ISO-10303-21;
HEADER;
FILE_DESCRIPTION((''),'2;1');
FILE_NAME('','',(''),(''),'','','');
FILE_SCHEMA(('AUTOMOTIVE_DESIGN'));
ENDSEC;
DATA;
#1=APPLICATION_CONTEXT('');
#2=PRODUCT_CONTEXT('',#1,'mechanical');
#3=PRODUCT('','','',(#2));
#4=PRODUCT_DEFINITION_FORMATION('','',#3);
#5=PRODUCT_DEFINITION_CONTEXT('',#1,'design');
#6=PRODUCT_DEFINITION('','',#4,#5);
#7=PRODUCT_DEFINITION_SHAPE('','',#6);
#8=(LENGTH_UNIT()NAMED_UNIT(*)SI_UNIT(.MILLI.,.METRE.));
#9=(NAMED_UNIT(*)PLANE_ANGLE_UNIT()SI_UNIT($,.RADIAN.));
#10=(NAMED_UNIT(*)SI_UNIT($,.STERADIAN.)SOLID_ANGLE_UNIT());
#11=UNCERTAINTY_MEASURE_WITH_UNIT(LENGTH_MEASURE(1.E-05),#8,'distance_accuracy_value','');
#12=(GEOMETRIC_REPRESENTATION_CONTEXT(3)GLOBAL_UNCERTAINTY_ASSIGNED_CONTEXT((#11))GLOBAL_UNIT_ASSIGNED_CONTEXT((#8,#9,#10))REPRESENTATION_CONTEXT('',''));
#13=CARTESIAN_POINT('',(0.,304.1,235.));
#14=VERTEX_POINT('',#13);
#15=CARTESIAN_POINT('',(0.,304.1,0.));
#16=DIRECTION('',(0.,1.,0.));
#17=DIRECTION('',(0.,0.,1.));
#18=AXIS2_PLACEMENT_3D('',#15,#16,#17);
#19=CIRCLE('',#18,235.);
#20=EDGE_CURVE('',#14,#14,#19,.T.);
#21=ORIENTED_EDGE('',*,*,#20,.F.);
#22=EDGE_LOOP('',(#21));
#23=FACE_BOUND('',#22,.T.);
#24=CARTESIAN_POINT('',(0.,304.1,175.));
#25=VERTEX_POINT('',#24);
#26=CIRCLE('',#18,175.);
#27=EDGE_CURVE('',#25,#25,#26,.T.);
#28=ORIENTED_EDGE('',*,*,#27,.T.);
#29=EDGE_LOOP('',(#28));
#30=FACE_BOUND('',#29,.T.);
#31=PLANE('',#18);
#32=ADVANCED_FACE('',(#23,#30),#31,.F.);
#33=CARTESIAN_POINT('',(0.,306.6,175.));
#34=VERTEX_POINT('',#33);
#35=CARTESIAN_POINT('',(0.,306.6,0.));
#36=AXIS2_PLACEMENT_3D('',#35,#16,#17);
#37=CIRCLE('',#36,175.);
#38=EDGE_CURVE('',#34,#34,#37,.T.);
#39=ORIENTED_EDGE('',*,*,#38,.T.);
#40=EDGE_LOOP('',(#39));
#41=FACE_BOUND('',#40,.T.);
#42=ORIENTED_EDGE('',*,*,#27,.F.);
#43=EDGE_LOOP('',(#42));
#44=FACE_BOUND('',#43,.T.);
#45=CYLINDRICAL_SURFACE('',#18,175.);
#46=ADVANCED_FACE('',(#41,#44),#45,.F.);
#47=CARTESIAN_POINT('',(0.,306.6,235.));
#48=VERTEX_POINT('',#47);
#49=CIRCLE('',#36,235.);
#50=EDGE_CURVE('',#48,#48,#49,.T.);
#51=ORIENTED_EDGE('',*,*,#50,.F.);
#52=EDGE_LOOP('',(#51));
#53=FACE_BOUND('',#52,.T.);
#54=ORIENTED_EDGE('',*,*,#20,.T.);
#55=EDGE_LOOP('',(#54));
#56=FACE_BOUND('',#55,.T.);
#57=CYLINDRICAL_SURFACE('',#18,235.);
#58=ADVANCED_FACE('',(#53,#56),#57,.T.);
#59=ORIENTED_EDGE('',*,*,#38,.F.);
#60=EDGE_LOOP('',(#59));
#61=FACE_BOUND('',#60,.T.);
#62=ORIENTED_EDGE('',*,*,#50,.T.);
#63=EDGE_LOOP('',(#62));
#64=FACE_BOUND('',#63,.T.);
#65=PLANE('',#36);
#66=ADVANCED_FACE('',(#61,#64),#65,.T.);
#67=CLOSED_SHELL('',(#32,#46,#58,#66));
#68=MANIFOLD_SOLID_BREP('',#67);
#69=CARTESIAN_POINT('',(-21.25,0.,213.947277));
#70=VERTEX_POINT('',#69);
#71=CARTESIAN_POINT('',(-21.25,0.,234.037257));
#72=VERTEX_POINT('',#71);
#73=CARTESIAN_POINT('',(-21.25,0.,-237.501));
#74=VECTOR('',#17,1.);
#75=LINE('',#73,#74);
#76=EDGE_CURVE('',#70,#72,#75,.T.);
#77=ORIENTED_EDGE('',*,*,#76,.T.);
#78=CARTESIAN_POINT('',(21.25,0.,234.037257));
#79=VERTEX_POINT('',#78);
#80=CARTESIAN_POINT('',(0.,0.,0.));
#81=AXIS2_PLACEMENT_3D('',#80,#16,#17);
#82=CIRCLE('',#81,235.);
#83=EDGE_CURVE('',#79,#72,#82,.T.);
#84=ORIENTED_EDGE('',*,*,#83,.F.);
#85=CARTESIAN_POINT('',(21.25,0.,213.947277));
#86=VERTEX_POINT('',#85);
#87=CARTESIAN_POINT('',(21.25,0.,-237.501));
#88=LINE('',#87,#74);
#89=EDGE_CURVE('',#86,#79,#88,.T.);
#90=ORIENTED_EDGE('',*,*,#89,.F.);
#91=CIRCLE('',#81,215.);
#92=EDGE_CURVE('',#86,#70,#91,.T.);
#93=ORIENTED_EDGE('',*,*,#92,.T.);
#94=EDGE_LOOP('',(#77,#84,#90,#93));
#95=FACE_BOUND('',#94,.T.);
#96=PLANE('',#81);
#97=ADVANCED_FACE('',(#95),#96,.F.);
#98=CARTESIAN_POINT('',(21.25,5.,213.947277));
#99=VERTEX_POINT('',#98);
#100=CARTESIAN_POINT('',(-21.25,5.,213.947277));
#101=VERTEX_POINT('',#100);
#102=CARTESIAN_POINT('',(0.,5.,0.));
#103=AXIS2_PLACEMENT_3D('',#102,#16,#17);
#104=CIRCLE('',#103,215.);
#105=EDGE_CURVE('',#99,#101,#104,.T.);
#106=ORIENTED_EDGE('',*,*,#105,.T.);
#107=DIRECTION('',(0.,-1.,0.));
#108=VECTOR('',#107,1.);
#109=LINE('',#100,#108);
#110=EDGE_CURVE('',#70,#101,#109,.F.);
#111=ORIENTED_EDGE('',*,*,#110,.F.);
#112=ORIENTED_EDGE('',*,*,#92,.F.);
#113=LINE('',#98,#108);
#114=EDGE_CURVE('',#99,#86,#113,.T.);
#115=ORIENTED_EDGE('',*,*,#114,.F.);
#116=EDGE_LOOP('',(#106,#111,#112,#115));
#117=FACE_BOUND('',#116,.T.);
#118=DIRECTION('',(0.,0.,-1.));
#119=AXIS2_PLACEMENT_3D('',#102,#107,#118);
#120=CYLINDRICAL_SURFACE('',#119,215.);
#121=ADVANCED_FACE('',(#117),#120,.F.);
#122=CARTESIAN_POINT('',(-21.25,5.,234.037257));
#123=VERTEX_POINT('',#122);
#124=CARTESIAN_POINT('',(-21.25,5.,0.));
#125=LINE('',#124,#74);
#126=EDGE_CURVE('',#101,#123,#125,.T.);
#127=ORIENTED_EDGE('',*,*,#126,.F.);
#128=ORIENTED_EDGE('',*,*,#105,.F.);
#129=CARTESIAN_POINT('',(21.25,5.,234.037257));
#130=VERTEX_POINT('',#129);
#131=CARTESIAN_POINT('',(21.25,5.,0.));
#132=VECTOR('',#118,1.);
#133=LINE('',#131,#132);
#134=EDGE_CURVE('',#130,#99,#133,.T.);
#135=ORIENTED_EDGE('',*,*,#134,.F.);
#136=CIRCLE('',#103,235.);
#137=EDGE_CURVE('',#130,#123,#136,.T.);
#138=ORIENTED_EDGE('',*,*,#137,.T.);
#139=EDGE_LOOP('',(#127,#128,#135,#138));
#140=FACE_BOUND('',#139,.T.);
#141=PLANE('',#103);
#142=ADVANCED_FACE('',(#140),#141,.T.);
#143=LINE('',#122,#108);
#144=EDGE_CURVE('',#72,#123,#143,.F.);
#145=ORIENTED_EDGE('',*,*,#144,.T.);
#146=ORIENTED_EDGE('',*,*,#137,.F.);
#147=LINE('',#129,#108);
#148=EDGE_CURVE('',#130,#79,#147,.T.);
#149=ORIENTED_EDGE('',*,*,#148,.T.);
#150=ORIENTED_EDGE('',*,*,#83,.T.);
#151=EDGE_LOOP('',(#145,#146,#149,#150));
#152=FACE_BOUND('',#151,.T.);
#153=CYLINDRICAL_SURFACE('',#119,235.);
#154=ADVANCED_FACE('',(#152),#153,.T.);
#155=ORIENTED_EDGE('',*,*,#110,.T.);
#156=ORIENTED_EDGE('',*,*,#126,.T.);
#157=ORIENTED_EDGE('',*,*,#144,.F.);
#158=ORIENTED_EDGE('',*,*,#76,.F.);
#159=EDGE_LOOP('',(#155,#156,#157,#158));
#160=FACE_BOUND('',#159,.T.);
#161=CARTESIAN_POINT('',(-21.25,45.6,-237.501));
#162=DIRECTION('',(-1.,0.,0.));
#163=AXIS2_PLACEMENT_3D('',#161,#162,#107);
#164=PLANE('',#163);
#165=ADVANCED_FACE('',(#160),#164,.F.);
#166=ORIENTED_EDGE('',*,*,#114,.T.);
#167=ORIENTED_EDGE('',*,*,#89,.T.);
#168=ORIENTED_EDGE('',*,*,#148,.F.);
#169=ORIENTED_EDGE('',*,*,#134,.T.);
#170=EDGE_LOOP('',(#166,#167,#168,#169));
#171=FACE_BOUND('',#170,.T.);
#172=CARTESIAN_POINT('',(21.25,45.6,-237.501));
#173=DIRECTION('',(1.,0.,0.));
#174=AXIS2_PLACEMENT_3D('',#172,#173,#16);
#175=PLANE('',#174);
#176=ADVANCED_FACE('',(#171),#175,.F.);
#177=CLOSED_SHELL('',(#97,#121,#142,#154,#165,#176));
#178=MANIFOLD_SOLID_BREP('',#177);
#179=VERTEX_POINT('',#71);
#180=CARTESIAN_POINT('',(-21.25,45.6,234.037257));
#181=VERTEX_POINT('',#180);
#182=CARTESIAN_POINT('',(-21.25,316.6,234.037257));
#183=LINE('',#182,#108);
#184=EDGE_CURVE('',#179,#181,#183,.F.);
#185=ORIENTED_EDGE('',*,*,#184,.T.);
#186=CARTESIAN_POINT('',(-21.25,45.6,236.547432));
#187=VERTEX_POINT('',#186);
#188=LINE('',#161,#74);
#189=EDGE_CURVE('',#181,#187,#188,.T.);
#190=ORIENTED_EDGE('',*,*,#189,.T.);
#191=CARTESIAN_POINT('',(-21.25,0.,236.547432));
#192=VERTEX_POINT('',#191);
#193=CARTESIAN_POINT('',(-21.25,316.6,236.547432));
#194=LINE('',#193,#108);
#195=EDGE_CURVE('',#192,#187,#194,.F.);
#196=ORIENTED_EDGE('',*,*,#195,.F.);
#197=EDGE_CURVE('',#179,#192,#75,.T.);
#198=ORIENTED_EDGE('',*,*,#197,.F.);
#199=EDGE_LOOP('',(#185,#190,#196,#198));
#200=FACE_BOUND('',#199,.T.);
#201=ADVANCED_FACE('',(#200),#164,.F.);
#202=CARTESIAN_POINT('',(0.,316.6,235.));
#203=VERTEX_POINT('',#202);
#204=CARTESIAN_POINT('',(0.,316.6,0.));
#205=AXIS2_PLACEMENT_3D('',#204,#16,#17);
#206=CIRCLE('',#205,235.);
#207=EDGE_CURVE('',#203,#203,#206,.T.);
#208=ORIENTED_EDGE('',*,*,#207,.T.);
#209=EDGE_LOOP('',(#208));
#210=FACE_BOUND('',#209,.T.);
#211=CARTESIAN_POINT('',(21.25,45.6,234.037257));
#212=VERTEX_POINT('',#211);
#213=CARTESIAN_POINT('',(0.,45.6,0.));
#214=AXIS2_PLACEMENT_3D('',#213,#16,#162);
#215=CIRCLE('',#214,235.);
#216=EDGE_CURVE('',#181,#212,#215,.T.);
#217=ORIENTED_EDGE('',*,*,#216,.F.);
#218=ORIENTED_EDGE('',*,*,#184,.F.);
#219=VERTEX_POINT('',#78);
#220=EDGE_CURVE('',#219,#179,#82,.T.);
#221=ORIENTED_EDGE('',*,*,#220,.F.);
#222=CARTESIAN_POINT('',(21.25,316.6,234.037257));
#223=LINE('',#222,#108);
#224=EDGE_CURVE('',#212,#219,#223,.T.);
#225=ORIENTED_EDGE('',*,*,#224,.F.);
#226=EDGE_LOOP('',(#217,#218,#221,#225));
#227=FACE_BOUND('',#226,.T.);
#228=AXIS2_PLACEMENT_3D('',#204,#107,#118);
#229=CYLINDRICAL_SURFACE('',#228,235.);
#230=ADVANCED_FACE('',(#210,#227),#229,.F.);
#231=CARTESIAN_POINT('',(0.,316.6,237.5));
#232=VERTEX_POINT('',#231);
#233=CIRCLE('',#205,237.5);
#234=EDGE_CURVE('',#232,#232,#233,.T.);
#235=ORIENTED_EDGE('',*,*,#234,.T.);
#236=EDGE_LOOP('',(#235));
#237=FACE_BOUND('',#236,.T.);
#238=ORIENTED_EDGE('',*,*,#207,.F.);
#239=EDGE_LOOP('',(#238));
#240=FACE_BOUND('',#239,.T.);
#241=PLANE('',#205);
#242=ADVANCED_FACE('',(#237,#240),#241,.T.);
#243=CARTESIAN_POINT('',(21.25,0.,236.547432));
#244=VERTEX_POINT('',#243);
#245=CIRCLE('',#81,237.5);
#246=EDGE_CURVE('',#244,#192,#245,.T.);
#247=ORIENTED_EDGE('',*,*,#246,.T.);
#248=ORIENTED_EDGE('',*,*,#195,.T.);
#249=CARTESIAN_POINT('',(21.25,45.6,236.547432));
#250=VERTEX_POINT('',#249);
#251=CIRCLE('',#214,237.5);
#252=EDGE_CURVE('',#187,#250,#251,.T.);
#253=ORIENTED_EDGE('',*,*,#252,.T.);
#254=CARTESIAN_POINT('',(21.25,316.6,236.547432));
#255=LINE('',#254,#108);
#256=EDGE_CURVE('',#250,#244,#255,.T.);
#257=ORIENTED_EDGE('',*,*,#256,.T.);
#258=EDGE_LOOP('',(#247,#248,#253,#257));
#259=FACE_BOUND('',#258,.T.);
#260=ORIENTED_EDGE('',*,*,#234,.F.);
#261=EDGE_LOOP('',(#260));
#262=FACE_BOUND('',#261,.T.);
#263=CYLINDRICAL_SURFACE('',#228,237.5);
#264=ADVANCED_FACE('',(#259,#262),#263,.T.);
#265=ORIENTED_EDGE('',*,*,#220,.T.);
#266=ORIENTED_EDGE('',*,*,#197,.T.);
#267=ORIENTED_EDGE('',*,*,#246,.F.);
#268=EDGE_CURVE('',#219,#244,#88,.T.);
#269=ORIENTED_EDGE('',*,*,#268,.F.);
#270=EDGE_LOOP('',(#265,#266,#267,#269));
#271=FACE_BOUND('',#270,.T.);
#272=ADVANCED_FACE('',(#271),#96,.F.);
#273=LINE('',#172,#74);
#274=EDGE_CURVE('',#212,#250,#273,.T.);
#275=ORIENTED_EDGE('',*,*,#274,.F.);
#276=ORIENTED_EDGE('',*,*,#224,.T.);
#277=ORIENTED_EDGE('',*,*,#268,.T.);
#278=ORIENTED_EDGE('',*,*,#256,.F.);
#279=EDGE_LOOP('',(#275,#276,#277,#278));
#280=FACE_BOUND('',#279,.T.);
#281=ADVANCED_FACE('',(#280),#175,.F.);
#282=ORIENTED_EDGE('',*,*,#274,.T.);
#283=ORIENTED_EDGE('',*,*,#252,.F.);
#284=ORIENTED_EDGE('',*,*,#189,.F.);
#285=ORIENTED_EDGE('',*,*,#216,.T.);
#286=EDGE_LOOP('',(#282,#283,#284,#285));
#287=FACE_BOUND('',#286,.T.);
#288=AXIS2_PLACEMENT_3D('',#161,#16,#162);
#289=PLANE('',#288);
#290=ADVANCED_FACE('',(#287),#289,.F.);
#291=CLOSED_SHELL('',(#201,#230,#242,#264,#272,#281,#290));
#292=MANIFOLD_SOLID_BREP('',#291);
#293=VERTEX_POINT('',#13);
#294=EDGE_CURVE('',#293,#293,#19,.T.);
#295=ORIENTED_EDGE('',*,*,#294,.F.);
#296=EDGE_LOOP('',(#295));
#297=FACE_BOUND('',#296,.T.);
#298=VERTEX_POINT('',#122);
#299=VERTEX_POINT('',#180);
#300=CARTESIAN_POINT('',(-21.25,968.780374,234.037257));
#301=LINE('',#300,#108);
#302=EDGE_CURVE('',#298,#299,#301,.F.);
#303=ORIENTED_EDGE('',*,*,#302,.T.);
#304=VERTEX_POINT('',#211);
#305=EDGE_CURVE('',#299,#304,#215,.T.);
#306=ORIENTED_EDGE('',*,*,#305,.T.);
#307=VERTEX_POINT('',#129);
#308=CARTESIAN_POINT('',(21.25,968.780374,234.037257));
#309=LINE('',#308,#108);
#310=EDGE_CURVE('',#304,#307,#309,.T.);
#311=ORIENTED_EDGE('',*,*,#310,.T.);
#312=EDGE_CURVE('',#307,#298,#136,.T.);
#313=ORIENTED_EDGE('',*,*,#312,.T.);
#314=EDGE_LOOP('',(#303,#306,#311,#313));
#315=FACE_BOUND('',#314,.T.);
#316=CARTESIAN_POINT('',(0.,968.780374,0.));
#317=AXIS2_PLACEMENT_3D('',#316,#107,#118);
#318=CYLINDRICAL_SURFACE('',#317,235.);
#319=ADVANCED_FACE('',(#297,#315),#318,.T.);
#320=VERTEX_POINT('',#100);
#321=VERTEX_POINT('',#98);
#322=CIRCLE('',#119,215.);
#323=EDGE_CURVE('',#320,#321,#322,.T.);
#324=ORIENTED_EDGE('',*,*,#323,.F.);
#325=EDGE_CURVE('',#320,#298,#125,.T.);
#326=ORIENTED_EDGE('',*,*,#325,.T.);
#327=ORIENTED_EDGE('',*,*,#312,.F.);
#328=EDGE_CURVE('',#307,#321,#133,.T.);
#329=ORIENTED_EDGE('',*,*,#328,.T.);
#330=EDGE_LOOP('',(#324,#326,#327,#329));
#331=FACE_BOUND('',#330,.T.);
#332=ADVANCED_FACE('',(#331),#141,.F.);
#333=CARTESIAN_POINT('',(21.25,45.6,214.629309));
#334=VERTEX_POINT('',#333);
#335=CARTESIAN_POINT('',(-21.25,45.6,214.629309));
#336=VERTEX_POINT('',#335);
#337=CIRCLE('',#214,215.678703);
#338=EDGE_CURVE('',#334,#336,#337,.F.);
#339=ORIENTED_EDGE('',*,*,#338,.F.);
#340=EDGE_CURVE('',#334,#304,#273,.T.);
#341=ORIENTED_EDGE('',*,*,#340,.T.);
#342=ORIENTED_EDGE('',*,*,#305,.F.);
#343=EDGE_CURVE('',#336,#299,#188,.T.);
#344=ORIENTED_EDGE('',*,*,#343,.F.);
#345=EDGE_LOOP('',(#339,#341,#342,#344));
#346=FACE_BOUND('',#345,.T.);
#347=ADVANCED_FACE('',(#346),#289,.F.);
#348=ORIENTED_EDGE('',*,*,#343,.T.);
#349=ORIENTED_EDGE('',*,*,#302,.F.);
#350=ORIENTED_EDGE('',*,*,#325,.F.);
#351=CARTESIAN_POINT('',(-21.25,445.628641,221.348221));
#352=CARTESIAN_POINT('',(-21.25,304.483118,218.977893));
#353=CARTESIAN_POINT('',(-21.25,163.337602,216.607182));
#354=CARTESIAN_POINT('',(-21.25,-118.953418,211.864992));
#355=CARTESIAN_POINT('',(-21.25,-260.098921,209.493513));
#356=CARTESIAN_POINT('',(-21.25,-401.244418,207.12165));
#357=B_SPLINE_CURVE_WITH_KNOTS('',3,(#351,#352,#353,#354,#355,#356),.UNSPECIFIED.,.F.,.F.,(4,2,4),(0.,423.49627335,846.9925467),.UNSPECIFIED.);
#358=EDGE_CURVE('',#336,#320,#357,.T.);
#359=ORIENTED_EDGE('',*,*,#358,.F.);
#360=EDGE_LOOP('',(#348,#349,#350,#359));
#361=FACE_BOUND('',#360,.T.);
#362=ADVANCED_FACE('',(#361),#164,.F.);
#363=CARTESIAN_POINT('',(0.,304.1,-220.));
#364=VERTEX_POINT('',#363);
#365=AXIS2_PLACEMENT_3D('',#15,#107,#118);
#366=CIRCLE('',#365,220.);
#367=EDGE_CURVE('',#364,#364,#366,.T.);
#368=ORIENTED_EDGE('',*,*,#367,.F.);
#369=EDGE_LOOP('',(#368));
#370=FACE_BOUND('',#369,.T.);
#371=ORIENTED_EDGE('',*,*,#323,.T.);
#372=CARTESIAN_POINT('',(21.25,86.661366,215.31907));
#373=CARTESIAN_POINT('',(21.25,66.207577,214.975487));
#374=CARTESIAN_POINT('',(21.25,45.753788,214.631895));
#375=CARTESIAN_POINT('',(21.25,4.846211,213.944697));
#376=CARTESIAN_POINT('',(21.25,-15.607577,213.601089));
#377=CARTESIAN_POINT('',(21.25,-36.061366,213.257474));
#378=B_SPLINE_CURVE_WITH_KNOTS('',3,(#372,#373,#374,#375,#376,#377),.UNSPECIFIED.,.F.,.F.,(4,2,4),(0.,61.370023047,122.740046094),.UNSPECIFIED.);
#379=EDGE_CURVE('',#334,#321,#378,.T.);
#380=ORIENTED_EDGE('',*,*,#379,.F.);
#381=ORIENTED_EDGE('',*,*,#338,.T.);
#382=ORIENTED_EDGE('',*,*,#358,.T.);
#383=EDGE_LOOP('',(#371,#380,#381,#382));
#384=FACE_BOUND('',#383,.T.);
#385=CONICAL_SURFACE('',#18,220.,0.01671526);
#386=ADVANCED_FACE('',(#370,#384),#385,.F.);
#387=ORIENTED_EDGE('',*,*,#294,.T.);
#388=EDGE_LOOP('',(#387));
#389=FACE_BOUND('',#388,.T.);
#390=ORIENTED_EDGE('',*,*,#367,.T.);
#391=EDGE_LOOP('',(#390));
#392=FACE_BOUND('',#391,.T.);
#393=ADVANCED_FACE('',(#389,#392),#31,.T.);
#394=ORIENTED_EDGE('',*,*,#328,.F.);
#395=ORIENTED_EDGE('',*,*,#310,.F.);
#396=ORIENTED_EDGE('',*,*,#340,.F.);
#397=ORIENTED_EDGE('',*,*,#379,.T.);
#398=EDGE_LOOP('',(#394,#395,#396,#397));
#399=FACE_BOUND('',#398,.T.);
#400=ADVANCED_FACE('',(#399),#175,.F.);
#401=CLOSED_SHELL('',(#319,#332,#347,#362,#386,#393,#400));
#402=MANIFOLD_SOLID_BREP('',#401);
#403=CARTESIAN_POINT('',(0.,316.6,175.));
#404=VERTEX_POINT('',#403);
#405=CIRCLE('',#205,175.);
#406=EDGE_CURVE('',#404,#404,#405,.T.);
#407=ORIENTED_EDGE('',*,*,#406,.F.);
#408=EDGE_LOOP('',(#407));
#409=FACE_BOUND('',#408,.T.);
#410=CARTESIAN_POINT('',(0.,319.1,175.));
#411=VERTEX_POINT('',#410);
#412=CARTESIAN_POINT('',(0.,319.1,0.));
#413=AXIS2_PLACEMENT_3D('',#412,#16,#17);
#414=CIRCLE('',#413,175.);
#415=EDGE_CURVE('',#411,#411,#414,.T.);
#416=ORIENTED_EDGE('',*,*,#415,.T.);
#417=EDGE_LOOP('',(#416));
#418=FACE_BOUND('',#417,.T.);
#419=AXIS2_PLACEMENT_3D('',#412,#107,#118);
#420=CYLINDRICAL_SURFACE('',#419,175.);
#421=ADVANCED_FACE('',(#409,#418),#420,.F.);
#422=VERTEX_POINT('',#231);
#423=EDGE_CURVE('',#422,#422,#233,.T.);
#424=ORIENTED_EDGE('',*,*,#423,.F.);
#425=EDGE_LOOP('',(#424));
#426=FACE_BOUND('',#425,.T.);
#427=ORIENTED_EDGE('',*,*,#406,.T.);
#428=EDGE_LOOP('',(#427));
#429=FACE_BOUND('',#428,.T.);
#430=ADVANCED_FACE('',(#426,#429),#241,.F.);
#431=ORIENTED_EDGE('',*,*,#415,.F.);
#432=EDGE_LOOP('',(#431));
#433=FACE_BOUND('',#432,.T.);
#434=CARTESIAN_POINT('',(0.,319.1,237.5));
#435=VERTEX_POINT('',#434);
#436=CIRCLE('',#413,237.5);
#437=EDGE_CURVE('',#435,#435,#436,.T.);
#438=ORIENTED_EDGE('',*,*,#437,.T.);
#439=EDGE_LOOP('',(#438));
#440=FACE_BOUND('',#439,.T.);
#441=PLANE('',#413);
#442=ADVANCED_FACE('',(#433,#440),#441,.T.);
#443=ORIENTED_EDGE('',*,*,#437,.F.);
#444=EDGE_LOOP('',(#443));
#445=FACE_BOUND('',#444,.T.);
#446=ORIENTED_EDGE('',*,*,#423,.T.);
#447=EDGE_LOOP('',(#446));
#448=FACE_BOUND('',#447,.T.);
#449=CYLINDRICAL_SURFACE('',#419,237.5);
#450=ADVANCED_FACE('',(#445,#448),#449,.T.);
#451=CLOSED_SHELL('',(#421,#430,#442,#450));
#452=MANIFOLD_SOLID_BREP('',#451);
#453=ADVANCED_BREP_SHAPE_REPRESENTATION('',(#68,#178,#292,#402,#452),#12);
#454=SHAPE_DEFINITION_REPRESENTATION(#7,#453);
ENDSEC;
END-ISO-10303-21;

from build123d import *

# Parameters (mm, degrees)
SKETCH1_R           = 237.5
SKETCH1_R_2         = 235
BOSS_EXTRUDE1_DEPTH = 316.6
SKETCH3_R           = 235
SKETCH3_R_2         = 215
BOSS_EXTRUDE2_DEPTH = 5
SKETCH7_R           = 237.5
SKETCH7_R_2         = 175
BOSS_EXTRUDE3_DEPTH = 2.5
SKETCH8_R           = 235
SKETCH8_R_2         = 175
BOSS_EXTRUDE4_DEPTH = 2.5
SKETCH9_R           = 235
BOSS_EXTRUDE5_DEPTH = 299.1
CUT_EXTRUDE5_REACH  = 621.561
SKETCH5_W           = 42.50000009
SKETCH5_H           = 45.600000066


with BuildPart() as part:
    # Sketch1 → Boss-Extrude1 (new body)
    with BuildSketch(Plane(origin=(0, 0, 0), x_dir=(1, 0, 0), z_dir=(0, 1, 0))):
        with Locations(Location((0, 0, 0), (0, 0, 270))):
            Circle(SKETCH1_R)
        with Locations(Location((0, 0, 0), (0, 0, 270))):
            Circle(SKETCH1_R_2, mode=Mode.SUBTRACT)
    extrude(amount=BOSS_EXTRUDE1_DEPTH)


with BuildPart() as body_2:
    # Sketch3 → Boss-Extrude2 (new body)
    with BuildSketch(Plane(origin=(0, 0, 0), x_dir=(1, 0, 0), z_dir=(0, 1, 0))):
        with Locations(Location((0, 0, 0), (0, 0, 270))):
            Circle(SKETCH3_R)
        with Locations(Location((0, 0, 0), (0, 0, 270))):
            Circle(SKETCH3_R_2, mode=Mode.SUBTRACT)
    extrude(amount=BOSS_EXTRUDE2_DEPTH)


with BuildPart() as body_3:
    # Sketch7 → Boss-Extrude3 (new body)
    with BuildSketch(Plane(origin=(0, 316.6, 0), x_dir=(1, 0, 0), z_dir=(0, 1, 0))):
        with Locations(Location((0, 0, 0), (0, 0, 270))):
            Circle(SKETCH7_R)
        with Locations(Location((0, 0, 0), (0, 0, 270))):
            Circle(SKETCH7_R_2, mode=Mode.SUBTRACT)
    extrude(amount=BOSS_EXTRUDE3_DEPTH)


with BuildPart() as body_4:
    # Sketch8 → Boss-Extrude4 (new body)
    with BuildSketch(Plane(origin=(0, 306.6, 0), x_dir=(1, 0, 0), z_dir=(0, 1, 0))):
        with Locations(Location((0, 0, 0), (0, 0, 270))):
            Circle(SKETCH8_R)
        with Locations(Location((0, 0, 0), (0, 0, 270))):
            Circle(SKETCH8_R_2, mode=Mode.SUBTRACT)
    extrude(amount=-BOSS_EXTRUDE4_DEPTH)


with BuildPart() as body_5:
    # Sketch9 → Boss-Extrude5 (new body)
    with BuildSketch(Plane(origin=(0, 5, 0), x_dir=(1, 0, 0), z_dir=(0, 1, 0))):
        with Locations(Location((0, 0, 0), (0, 0, 270))):
            Circle(SKETCH9_R)
    extrude(amount=BOSS_EXTRUDE5_DEPTH)

    # Sketch13 → Cut-Revolve2 (revolve, cut)
    with BuildSketch(Plane.XY, mode=Mode.PRIVATE) as cut_revolve2_sk:
        Polygon((0, 5), (-215, 5), (-220, 304.1), (0, 304.1), align=None)
    revolve(cut_revolve2_sk.sketch.rotate(Axis((0, 5, 0), (0, 1, 0)), 270), axis=Axis((0, 5, 0), (0, 1, 0)), mode=Mode.SUBTRACT)


with BuildPart() as cut_extrude5_tool:
    # Cut-Extrude5: up to this cone (the profile starts outside it)
    cut_extrude5_end = Plane(origin=(0, 22.8, 0), z_dir=(0, 1, 0)) * Cone(201.299589446, 229.295529243, 1674.717118689, mode=Mode.PRIVATE)
    # Sketch5 → Cut-Extrude5 (new, up to the surface)
    with BuildSketch(Plane.XY.offset(237.5), mode=Mode.PRIVATE) as cut_extrude5_sk1:
        with Locations((0, 22.800000033)):
            Rectangle(SKETCH5_W, SKETCH5_H)
    cut_extrude5_tool1 = extrude(cut_extrude5_sk1.sketch, amount=-CUT_EXTRUDE5_REACH, mode=Mode.PRIVATE) - cut_extrude5_end
    add(cut_extrude5_tool1.solids().sort_by_distance((0, 22.8, 237.5))[0])


with BuildPart() as part_1:
    add(part.part)

    # Cut-Extrude5: cut by cut_extrude5_tool
    add(cut_extrude5_tool.part, mode=Mode.SUBTRACT)


with BuildPart() as body_2_1:
    add(body_2.part)

    # Cut-Extrude5: cut by cut_extrude5_tool
    add(cut_extrude5_tool.part, mode=Mode.SUBTRACT)


with BuildPart() as body_5_1:
    add(body_5.part)

    # Cut-Extrude5: cut by cut_extrude5_tool
    add(cut_extrude5_tool.part, mode=Mode.SUBTRACT)


solid = Compound([body_3.part, body_4.part, part_1.part, body_2_1.part, body_5_1.part])
